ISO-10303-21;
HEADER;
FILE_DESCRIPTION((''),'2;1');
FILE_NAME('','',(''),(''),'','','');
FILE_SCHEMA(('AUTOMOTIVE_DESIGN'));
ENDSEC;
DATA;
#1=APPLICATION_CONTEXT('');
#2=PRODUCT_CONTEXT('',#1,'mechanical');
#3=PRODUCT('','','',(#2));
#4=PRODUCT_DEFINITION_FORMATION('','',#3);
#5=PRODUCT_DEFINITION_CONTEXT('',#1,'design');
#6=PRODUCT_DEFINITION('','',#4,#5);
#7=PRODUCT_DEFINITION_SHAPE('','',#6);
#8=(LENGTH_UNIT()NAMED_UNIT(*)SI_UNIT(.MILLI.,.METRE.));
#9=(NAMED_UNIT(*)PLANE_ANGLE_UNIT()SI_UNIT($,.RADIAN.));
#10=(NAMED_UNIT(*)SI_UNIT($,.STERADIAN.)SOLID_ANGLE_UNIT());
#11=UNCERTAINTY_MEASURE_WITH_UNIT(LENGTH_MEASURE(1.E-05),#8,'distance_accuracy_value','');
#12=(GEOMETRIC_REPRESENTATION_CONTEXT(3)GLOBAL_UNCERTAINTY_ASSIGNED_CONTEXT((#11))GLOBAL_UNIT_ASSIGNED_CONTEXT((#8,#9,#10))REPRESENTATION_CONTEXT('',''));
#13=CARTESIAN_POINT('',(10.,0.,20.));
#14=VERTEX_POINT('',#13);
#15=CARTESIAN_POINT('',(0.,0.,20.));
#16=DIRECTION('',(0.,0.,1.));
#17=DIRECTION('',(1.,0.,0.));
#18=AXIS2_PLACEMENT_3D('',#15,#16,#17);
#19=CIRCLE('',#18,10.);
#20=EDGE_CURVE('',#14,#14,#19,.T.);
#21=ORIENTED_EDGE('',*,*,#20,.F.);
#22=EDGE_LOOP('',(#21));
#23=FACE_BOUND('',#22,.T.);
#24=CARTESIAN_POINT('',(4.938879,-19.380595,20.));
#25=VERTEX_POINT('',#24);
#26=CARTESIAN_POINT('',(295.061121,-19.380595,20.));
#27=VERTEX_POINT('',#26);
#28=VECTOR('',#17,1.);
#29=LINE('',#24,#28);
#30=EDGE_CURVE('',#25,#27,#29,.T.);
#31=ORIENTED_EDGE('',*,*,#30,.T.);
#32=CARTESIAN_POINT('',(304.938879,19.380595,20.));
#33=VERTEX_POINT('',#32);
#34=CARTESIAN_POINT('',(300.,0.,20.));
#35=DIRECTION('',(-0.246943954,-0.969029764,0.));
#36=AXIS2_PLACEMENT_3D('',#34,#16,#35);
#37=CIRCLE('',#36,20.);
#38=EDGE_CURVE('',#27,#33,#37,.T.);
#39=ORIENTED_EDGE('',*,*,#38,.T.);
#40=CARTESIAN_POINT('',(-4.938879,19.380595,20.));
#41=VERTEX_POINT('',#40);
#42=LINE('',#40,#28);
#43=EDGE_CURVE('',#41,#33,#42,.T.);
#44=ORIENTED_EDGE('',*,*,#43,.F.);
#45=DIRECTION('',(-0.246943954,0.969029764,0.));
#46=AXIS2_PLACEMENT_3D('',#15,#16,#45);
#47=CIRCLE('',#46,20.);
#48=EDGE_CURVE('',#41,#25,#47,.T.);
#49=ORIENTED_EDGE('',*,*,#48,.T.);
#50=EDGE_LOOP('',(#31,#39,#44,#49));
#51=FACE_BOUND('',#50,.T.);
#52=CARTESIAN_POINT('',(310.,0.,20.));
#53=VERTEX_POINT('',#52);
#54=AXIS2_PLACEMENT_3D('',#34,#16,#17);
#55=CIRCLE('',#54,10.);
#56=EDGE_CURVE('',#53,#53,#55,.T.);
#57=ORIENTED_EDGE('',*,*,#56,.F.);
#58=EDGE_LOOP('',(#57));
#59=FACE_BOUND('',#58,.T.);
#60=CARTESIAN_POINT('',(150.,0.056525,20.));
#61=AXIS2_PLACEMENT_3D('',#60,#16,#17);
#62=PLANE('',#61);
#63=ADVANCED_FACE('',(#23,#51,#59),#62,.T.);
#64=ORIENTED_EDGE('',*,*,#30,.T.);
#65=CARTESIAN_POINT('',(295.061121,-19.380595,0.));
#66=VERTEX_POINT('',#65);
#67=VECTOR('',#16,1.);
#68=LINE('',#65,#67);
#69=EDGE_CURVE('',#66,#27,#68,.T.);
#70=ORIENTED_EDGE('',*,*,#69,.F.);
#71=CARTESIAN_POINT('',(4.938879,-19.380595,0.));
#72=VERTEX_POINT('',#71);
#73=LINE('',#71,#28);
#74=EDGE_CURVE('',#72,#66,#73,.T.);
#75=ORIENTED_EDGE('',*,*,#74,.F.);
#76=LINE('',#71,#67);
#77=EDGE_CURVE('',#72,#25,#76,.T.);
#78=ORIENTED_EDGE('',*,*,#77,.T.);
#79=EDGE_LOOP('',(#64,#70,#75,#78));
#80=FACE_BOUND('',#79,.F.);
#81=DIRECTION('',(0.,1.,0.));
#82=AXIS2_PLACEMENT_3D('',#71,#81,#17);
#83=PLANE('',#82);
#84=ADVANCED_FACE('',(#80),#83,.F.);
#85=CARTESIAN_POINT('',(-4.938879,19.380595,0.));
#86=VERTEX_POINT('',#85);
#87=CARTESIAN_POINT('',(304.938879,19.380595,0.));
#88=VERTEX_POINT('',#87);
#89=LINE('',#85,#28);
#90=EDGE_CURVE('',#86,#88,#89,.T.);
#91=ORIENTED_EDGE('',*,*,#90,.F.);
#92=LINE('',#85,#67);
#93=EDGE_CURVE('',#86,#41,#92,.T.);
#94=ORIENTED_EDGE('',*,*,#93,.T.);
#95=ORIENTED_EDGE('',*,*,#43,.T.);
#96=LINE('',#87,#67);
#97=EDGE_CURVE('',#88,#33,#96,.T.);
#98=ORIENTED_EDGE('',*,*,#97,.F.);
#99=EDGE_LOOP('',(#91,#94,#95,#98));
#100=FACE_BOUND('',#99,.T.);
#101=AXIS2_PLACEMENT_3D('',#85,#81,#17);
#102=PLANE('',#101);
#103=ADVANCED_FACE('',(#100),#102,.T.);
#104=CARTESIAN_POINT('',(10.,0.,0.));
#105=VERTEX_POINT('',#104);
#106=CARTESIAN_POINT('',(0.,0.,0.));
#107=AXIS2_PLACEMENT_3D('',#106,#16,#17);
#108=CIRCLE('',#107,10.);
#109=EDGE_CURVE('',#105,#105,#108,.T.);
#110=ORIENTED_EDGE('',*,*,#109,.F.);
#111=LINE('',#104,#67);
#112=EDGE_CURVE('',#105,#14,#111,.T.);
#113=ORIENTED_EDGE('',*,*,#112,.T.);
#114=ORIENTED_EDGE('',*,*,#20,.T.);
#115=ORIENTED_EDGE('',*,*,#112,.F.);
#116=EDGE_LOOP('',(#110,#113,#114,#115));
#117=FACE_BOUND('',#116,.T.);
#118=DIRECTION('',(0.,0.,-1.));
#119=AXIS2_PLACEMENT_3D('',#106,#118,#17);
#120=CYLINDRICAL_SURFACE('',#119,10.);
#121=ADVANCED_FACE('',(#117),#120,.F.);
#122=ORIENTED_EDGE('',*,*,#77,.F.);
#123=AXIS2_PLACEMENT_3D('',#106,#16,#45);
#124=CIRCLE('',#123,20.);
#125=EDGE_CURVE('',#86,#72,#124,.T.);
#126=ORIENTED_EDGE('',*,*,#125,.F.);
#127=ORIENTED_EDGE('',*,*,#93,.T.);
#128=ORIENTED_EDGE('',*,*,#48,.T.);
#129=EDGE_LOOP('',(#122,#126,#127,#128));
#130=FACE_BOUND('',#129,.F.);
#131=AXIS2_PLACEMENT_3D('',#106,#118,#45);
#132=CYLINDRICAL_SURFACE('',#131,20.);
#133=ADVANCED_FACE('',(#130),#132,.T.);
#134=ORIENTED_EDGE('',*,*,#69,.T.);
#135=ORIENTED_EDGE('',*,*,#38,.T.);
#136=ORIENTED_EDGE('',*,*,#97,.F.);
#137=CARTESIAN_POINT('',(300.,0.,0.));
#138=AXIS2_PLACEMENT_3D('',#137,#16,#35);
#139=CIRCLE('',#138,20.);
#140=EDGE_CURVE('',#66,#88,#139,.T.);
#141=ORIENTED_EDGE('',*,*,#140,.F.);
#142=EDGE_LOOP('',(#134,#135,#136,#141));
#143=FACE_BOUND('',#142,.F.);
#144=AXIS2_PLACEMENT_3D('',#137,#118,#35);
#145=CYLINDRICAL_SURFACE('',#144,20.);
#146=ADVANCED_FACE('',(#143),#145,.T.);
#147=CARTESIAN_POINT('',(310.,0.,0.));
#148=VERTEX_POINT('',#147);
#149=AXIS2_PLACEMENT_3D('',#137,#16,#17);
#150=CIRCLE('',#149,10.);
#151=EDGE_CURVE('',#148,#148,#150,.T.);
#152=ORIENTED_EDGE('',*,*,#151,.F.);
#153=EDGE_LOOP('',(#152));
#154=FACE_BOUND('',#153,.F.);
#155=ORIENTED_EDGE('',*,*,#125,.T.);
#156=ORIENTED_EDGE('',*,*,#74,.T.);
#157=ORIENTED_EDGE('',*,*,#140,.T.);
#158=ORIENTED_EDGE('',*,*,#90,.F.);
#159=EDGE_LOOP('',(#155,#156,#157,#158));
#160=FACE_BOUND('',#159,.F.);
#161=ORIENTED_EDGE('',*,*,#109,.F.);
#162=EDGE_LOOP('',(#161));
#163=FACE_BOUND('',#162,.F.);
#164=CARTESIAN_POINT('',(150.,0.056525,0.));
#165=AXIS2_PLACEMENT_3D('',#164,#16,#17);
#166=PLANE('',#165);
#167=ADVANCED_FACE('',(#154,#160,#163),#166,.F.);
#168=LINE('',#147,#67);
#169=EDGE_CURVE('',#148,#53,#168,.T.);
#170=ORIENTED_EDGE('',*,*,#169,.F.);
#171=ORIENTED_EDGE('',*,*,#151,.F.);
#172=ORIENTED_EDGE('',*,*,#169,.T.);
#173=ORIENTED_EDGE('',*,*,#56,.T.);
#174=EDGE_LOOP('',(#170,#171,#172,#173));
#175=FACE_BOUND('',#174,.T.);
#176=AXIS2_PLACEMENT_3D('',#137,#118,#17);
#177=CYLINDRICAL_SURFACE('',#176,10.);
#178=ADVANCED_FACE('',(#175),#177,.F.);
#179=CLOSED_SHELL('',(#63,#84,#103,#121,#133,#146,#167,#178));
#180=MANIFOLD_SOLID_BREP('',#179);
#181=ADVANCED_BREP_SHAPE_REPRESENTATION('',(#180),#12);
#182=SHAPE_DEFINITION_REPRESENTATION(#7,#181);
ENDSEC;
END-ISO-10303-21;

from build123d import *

# Parameters (mm, degrees)
SKETCH_R      = 10
EXTRUDE_DEPTH = 20


with BuildPart() as part:
    # Sketch → Extrude (new body)
    with BuildSketch(Plane.XY):
        with BuildLine():
            ThreePointArc((-4.938879, 19.380595), (-19.380595, -4.938879), (4.938879, -19.380595))
            Line((4.938879, -19.380595), (295.061121, -19.380595))
            ThreePointArc((295.061121, -19.380595), (319.380595, -4.938879), (304.938879, 19.380595))
            Line((-4.938879, 19.380595), (304.938879, 19.380595))
        make_face()
        Circle(SKETCH_R, mode=Mode.SUBTRACT)
        with Locations((300, 0)):
            Circle(SKETCH_R, mode=Mode.SUBTRACT)
    extrude(amount=EXTRUDE_DEPTH)


solid = part.part
